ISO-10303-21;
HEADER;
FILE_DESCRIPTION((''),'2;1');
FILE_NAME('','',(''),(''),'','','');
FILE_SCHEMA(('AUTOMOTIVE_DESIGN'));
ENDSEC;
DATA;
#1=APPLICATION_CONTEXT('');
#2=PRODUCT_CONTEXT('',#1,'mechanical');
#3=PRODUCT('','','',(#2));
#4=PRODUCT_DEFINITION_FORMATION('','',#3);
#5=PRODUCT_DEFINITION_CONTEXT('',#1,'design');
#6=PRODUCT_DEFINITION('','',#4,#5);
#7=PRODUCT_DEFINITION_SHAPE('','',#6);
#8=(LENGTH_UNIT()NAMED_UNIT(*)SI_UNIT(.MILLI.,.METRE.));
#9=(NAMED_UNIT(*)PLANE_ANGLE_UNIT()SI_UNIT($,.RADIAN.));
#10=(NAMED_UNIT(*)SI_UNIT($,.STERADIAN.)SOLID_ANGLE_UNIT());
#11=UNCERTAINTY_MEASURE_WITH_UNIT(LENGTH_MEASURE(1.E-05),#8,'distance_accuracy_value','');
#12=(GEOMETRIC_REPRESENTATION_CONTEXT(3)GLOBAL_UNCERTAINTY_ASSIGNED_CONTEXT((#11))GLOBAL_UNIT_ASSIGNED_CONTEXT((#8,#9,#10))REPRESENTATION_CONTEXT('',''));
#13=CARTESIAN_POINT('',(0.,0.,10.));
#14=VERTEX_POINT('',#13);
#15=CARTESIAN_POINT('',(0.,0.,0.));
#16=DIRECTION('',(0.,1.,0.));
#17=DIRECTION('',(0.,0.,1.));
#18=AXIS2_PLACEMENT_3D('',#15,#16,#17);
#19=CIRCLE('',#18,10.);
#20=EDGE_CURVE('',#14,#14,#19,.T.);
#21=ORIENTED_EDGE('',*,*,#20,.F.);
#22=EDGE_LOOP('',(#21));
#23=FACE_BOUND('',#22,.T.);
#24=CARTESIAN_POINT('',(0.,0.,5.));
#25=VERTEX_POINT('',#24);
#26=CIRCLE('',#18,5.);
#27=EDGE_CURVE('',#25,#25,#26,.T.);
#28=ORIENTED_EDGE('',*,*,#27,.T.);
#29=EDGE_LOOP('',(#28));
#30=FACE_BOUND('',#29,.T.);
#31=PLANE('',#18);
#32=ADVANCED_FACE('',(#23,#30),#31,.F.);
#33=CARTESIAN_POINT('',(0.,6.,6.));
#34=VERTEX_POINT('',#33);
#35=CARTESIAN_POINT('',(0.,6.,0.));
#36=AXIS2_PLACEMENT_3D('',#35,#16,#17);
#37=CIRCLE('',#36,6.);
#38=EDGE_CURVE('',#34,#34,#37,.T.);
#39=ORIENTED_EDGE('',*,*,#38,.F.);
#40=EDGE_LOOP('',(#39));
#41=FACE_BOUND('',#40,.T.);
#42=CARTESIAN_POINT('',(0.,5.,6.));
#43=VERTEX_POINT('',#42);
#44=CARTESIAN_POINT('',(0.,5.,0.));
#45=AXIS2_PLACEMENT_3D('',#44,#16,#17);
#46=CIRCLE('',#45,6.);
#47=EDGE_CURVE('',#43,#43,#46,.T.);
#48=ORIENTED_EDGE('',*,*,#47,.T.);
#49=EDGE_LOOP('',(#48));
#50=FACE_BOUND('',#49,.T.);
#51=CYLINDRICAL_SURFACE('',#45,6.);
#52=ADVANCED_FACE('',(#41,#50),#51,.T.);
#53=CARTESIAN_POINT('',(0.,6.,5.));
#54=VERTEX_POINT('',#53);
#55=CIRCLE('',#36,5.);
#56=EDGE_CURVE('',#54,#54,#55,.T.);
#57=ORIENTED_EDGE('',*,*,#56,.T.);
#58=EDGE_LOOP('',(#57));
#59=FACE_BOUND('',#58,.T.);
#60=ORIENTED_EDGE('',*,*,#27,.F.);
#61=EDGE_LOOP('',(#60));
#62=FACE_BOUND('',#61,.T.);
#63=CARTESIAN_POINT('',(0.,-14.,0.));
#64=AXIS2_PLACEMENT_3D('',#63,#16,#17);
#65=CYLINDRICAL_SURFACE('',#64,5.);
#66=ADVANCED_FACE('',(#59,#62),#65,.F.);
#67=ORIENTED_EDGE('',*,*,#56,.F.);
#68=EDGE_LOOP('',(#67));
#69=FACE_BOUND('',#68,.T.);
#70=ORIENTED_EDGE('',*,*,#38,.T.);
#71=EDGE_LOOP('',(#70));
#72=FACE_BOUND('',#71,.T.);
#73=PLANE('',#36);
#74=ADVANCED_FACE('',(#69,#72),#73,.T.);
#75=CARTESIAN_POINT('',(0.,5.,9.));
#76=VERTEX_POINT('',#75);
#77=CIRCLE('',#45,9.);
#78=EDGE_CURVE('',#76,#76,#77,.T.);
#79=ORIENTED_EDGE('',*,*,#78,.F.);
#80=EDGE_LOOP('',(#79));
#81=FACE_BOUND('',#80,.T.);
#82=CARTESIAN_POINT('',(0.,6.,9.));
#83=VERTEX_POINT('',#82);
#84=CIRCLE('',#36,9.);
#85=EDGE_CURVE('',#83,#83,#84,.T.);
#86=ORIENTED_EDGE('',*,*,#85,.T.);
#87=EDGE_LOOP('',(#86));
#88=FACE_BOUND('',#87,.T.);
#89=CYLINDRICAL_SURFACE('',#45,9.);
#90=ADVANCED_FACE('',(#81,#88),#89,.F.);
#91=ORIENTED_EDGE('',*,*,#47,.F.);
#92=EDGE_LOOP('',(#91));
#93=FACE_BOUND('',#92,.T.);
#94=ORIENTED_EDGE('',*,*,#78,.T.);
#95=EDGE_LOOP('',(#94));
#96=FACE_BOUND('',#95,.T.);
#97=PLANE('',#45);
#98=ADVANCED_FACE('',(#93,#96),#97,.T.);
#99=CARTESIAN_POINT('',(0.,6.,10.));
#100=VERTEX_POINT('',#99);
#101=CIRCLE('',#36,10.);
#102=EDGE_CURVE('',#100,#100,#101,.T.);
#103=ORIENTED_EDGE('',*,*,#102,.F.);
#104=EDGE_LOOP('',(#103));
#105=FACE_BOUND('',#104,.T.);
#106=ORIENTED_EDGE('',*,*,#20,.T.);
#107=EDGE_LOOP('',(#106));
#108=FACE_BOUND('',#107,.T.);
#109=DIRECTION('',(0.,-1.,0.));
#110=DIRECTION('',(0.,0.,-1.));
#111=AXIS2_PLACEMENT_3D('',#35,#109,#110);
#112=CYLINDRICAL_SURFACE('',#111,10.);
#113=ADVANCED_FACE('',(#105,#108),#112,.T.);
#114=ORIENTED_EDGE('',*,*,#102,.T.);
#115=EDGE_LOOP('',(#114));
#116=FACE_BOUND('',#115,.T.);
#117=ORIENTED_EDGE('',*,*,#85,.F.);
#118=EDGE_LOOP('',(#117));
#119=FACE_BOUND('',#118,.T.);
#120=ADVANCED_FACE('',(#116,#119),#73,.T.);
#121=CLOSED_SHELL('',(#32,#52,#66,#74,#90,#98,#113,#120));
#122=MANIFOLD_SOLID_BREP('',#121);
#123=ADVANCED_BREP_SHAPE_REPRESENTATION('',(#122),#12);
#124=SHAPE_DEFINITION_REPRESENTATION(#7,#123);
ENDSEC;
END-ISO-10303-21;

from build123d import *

# Parameters (mm, degrees)
SKETCH1_R            = 10
MAIN_EXTRUSION_DEPTH = 6
SKETCH2_R            = 5
ID_BORE_DEPTH        = 20
SKETCH3_R            = 9
SKETCH3_R_2          = 6
SEAL_RECESS_DEPTH    = 1


with BuildPart() as part:
    # Sketch1 → main extrusion (new body)
    with BuildSketch(Plane(origin=(0, 0, 0), x_dir=(1, 0, 0), z_dir=(0, 1, 0))):
        with Locations(Location((0, 0, 0), (0, 0, 270))):
            Circle(SKETCH1_R)
    extrude(amount=MAIN_EXTRUSION_DEPTH)

    # Sketch2 → ID bore (cut)
    with BuildSketch(Plane(origin=(0, 6, 0), x_dir=(1, 0, 0), z_dir=(0, 1, 0))):
        with Locations(Location((0, 0, 0), (0, 0, 270))):
            Circle(SKETCH2_R)
    extrude(amount=-ID_BORE_DEPTH, mode=Mode.SUBTRACT)

    # Sketch3 → seal recess (cut)
    with BuildSketch(Plane(origin=(0, 6, 0), x_dir=(1, 0, 0), z_dir=(0, 1, 0))):
        with Locations(Location((0, 0, 0), (0, 0, 270))):
            Circle(SKETCH3_R)
        with Locations(Location((0, 0, 0), (0, 0, 270))):
            Circle(SKETCH3_R_2, mode=Mode.SUBTRACT)
    extrude(amount=-SEAL_RECESS_DEPTH, mode=Mode.SUBTRACT)


solid = part.part
